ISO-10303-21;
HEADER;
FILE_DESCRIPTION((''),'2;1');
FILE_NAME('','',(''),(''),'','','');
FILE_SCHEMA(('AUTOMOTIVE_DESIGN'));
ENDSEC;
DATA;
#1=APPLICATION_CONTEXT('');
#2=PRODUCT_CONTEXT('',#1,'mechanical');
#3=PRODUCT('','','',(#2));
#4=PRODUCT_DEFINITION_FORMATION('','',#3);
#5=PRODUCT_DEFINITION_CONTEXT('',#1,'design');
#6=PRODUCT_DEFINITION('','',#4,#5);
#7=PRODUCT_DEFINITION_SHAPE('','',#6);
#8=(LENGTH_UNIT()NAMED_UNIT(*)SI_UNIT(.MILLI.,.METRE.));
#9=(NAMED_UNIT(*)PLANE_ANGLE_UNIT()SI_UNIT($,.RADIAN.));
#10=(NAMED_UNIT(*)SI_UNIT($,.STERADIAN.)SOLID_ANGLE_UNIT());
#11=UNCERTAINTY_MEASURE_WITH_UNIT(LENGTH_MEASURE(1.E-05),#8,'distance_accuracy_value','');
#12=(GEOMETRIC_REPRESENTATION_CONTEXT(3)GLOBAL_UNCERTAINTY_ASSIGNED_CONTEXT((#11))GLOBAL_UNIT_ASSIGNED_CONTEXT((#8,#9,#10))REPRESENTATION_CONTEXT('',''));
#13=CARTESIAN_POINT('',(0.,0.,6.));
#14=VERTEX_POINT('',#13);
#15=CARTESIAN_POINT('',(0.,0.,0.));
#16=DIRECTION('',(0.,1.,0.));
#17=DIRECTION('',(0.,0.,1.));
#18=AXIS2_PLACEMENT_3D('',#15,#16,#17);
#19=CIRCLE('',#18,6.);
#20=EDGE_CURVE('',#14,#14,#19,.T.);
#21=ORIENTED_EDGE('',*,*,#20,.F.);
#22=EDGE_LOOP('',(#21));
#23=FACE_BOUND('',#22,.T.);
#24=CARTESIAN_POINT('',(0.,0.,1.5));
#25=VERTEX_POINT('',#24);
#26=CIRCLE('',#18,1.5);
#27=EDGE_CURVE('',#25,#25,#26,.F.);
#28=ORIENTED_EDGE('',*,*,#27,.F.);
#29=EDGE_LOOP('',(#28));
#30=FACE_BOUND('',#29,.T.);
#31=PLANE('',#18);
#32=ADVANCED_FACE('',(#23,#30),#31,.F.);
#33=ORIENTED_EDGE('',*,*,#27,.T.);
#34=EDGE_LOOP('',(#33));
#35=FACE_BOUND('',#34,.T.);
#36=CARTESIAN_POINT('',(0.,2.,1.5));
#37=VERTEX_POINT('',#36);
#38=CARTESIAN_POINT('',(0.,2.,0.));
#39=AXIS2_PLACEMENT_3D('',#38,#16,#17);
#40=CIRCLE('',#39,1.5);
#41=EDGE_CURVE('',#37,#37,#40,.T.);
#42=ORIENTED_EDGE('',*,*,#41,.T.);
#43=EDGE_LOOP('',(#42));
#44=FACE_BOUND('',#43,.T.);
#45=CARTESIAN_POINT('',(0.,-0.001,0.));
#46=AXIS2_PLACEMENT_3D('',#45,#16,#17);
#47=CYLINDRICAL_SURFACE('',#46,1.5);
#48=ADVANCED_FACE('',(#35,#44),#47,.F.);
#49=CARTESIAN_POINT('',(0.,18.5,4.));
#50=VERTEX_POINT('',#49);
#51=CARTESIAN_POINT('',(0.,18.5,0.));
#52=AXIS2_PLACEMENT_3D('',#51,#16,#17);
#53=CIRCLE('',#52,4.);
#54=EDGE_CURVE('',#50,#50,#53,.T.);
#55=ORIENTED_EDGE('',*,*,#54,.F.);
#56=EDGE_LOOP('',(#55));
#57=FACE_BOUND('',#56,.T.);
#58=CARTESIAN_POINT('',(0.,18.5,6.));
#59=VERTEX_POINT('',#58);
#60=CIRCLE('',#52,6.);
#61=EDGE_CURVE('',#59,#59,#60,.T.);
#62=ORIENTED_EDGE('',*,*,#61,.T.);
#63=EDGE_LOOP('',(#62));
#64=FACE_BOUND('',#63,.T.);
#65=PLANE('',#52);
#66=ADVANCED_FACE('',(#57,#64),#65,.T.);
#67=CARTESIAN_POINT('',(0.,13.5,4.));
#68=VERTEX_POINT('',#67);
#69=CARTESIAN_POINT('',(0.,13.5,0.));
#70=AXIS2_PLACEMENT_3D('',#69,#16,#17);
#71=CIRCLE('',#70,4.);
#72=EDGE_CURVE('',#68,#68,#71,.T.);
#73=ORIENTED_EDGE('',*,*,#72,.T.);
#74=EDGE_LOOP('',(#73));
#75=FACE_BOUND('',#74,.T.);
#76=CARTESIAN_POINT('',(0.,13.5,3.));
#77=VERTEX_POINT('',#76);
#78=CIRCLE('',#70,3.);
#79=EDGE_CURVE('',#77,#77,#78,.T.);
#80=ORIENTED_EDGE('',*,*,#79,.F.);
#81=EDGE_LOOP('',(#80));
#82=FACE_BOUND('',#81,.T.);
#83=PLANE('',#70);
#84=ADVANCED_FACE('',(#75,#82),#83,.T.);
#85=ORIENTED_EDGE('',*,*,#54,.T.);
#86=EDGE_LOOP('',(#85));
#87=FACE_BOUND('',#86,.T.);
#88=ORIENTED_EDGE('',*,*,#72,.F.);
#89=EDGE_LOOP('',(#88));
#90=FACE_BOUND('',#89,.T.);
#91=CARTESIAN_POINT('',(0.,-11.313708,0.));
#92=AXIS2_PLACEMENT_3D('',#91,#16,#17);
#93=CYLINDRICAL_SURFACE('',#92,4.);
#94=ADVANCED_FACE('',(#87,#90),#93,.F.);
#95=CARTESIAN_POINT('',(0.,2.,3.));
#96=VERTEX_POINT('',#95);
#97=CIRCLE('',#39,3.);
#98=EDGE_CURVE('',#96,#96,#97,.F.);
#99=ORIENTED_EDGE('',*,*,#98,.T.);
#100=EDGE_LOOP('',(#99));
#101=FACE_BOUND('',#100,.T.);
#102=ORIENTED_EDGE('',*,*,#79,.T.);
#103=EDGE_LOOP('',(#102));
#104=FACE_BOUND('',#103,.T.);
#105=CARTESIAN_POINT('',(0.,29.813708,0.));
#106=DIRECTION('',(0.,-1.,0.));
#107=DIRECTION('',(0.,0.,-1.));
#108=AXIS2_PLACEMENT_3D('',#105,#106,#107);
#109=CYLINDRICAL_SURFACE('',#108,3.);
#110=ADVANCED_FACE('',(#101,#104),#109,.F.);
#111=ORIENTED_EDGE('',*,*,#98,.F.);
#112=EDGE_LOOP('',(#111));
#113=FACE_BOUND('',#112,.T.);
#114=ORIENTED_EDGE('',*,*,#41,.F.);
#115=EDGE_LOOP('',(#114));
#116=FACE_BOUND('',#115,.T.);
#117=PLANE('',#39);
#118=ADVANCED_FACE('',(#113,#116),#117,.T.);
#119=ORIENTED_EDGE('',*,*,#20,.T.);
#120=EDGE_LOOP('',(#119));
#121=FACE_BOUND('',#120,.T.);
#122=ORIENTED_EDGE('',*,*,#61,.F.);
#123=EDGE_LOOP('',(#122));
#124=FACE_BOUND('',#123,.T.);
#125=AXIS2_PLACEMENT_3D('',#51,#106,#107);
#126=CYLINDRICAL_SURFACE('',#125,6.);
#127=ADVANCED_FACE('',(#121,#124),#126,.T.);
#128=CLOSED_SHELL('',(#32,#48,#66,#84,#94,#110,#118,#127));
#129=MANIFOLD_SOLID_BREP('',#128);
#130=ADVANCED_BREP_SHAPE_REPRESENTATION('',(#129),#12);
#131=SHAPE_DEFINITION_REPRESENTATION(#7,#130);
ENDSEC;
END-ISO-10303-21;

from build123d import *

# Parameters (mm, degrees)
SKETCH2_R           = 6
BOSS_EXTRUDE2_DEPTH = 18.5
SKETCH3_R           = 4
CUT_EXTRUDE1_DEPTH  = 16.5
CUT_EXTRUDE2_REACH  = 4
SKETCH4_R           = 1.5
SKETCH5_R           = 4
SKETCH5_R_2         = 3
BOSS_EXTRUDE3_DEPTH = 11.5


with BuildPart() as part:
    # Sketch2 → Boss-Extrude2 (new body)
    with BuildSketch(Plane(origin=(0, 0, 0), x_dir=(1, 0, 0), z_dir=(0, 1, 0))):
        Circle(SKETCH2_R)
    extrude(amount=BOSS_EXTRUDE2_DEPTH)

    # Sketch3 → Cut-Extrude1 (cut)
    with BuildSketch(Plane(origin=(0, 18.5, 0), x_dir=(1, 0, 0), z_dir=(0, 1, 0))):
        Circle(SKETCH3_R)
    extrude(amount=-CUT_EXTRUDE1_DEPTH, mode=Mode.SUBTRACT)

    # Sketch4 → Cut-Extrude2 (cut, up to next)
    with BuildSketch(Plane(origin=(0, 2, 0), x_dir=(1, 0, 0), z_dir=(0, 1, 0)), mode=Mode.PRIVATE) as cut_extrude2_sk1:
        Circle(SKETCH4_R)
    cut_extrude2_tool1 = extrude(cut_extrude2_sk1.sketch, amount=-CUT_EXTRUDE2_REACH, mode=Mode.PRIVATE) & part.part
    add(cut_extrude2_tool1.solids().sort_by_distance((0, 2, 0))[0], mode=Mode.SUBTRACT)

    # Sketch5 → Boss-Extrude3 (add)
    with BuildSketch(Plane(origin=(0, 2, 0), x_dir=(1, 0, 0), z_dir=(0, 1, 0))):
        Circle(SKETCH5_R)
        Circle(SKETCH5_R_2, mode=Mode.SUBTRACT)
    extrude(amount=BOSS_EXTRUDE3_DEPTH)


solid = part.part
